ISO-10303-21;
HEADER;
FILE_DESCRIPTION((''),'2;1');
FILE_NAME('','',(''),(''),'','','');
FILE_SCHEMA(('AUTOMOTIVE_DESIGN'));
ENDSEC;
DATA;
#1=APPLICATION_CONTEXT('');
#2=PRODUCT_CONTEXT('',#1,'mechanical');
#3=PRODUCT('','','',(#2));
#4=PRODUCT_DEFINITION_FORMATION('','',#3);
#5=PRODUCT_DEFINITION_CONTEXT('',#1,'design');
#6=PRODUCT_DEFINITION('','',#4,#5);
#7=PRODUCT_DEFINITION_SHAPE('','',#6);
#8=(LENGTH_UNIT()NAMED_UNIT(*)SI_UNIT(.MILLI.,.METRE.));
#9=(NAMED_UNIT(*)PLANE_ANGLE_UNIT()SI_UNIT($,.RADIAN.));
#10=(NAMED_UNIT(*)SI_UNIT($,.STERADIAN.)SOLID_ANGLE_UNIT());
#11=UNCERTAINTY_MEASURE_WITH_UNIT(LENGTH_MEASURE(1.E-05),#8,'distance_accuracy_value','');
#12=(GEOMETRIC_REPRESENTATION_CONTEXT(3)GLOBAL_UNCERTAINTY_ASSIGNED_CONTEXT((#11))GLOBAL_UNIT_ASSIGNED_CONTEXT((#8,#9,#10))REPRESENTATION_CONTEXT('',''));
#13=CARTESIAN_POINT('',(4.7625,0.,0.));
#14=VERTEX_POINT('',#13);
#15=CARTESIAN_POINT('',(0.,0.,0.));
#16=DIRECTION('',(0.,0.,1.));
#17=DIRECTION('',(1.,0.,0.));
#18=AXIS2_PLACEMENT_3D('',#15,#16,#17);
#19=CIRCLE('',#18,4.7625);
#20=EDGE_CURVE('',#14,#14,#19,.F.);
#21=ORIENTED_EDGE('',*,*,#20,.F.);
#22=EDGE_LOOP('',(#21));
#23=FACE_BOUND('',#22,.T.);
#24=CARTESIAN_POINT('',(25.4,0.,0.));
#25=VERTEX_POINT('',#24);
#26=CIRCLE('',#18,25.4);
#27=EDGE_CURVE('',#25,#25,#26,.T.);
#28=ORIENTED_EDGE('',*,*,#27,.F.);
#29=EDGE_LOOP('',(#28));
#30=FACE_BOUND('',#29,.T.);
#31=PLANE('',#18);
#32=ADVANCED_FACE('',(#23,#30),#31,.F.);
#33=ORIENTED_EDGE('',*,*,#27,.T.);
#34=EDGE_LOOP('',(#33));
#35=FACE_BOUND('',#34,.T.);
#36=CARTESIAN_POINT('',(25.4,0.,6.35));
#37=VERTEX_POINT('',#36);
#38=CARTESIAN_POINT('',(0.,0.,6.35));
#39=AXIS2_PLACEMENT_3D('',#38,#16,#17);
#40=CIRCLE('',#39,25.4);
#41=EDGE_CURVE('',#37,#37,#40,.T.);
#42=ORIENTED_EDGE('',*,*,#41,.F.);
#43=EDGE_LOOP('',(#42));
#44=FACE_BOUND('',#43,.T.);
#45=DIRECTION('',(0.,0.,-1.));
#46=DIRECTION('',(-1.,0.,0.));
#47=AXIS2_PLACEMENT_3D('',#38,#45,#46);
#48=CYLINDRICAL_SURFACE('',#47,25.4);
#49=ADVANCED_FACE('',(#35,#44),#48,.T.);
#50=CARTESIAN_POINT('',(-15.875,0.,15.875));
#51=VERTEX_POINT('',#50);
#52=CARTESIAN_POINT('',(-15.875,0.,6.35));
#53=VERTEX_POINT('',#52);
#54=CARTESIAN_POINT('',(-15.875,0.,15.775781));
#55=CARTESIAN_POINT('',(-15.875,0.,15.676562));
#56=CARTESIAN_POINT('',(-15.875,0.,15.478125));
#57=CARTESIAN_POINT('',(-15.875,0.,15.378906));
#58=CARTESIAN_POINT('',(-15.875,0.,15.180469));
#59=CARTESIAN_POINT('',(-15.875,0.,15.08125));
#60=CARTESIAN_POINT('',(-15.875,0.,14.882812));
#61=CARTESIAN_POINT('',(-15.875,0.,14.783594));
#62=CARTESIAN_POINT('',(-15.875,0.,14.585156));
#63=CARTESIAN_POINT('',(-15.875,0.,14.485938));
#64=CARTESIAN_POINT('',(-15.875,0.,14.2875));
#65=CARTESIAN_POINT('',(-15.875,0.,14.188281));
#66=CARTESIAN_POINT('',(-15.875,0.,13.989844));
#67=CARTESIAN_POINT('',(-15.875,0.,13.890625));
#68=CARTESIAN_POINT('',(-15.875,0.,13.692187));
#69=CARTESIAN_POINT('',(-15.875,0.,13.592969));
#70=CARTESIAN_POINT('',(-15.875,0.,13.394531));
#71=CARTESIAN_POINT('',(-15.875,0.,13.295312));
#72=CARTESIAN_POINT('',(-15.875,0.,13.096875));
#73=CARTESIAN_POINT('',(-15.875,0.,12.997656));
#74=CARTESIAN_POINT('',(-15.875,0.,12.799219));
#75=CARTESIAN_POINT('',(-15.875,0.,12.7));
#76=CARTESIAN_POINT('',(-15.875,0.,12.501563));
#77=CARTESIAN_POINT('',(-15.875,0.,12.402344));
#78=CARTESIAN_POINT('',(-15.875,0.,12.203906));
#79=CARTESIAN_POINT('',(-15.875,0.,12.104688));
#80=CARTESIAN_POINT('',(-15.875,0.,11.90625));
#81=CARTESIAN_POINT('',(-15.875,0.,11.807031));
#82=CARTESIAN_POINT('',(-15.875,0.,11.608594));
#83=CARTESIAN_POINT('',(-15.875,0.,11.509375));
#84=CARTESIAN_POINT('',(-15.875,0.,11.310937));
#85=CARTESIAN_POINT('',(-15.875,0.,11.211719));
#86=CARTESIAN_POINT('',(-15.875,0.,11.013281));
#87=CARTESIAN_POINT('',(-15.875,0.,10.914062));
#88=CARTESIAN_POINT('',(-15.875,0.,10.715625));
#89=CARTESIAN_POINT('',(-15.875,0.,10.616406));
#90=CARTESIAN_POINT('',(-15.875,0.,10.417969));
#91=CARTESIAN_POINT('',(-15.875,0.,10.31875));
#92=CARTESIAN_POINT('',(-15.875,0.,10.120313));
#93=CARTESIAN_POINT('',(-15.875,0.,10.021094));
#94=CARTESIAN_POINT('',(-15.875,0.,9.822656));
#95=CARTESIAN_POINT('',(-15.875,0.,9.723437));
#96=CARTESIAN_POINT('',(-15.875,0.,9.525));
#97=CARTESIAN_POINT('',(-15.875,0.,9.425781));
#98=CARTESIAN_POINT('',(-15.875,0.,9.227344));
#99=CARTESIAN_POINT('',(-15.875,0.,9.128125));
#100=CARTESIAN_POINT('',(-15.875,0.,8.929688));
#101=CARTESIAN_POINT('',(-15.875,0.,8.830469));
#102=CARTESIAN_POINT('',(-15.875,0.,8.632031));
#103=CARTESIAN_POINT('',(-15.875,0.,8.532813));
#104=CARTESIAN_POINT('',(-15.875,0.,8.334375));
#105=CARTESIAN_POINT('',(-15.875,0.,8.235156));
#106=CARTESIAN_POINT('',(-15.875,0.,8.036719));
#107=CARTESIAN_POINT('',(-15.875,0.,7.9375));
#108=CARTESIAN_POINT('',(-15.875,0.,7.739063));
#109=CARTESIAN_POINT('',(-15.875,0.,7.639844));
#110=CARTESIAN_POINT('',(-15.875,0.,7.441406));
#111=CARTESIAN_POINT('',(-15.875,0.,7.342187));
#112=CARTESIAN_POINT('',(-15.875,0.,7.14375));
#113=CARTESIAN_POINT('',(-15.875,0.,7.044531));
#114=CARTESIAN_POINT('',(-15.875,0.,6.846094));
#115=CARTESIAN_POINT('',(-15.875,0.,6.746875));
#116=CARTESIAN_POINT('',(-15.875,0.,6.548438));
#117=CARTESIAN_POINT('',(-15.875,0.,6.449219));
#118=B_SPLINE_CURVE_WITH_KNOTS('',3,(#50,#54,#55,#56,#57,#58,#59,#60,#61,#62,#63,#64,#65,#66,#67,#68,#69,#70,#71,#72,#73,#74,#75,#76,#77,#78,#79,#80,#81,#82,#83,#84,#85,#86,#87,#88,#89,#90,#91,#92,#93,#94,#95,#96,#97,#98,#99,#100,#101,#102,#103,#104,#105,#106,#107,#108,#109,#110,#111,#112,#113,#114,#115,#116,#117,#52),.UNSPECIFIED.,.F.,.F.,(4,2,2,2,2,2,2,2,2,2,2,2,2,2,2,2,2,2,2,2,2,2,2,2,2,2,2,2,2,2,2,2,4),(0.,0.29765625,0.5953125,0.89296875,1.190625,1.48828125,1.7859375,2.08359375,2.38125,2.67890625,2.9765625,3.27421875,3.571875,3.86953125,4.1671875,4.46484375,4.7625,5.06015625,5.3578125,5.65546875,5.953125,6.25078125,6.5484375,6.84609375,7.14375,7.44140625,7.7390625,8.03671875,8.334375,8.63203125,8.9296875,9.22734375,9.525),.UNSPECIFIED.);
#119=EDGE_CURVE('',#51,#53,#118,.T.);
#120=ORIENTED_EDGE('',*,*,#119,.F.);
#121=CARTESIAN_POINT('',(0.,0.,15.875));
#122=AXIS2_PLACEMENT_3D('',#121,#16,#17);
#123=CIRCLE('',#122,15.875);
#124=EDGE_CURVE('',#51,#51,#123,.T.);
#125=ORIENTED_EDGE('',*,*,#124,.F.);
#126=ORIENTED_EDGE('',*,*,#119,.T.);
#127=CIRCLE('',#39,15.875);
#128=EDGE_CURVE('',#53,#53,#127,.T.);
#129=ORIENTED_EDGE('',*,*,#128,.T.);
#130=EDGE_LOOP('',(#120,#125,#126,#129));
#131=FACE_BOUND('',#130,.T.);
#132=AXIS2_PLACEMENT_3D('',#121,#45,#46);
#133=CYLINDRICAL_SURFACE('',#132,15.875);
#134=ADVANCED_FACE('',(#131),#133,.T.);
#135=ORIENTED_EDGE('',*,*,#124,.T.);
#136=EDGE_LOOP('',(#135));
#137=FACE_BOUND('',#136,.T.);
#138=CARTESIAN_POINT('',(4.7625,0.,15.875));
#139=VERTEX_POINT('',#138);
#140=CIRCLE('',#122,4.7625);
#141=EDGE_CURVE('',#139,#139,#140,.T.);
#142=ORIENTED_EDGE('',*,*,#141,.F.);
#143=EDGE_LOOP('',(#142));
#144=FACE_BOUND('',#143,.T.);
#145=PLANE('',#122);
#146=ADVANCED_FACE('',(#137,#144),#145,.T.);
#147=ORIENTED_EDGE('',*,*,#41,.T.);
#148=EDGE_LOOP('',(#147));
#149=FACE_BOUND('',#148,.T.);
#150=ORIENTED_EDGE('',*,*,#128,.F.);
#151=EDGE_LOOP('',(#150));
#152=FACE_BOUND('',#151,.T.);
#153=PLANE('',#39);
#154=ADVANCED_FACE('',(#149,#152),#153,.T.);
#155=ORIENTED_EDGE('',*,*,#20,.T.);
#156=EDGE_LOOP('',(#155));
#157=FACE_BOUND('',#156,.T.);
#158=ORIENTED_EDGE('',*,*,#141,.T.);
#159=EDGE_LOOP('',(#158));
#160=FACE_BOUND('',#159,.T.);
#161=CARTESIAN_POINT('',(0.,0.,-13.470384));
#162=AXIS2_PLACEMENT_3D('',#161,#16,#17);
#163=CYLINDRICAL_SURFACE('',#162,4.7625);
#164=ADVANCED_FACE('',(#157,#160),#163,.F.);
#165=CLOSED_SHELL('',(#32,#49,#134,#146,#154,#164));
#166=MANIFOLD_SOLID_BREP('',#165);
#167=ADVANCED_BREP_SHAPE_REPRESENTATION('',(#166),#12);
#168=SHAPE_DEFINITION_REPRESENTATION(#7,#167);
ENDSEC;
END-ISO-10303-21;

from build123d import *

# Parameters (mm, degrees)
SKETCH1_R           = 25.4
BOSS_EXTRUDE1_DEPTH = 6.35
SKETCH2_R           = 15.875
BOSS_EXTRUDE2_DEPTH = 9.525
SKETCH3_R           = 4.7625
CUT_EXTRUDE1_DEPTH  = 15.875


with BuildPart() as part:
    # Sketch1 → Boss-Extrude1 (new body)
    with BuildSketch(Plane.XY):
        Circle(SKETCH1_R)
    extrude(amount=BOSS_EXTRUDE1_DEPTH)

    # Sketch2 → Boss-Extrude2 (add)
    with BuildSketch(Plane.XY.offset(6.35)):
        with Locations(Location((0, 0, 0), (0, 0, 180))):
            Circle(SKETCH2_R)
    extrude(amount=BOSS_EXTRUDE2_DEPTH)

    # Sketch3 → Cut-Extrude1 (cut)
    with BuildSketch(Plane.XY.offset(15.875)):
        Circle(SKETCH3_R)
    extrude(amount=-CUT_EXTRUDE1_DEPTH, mode=Mode.SUBTRACT)


solid = part.part
